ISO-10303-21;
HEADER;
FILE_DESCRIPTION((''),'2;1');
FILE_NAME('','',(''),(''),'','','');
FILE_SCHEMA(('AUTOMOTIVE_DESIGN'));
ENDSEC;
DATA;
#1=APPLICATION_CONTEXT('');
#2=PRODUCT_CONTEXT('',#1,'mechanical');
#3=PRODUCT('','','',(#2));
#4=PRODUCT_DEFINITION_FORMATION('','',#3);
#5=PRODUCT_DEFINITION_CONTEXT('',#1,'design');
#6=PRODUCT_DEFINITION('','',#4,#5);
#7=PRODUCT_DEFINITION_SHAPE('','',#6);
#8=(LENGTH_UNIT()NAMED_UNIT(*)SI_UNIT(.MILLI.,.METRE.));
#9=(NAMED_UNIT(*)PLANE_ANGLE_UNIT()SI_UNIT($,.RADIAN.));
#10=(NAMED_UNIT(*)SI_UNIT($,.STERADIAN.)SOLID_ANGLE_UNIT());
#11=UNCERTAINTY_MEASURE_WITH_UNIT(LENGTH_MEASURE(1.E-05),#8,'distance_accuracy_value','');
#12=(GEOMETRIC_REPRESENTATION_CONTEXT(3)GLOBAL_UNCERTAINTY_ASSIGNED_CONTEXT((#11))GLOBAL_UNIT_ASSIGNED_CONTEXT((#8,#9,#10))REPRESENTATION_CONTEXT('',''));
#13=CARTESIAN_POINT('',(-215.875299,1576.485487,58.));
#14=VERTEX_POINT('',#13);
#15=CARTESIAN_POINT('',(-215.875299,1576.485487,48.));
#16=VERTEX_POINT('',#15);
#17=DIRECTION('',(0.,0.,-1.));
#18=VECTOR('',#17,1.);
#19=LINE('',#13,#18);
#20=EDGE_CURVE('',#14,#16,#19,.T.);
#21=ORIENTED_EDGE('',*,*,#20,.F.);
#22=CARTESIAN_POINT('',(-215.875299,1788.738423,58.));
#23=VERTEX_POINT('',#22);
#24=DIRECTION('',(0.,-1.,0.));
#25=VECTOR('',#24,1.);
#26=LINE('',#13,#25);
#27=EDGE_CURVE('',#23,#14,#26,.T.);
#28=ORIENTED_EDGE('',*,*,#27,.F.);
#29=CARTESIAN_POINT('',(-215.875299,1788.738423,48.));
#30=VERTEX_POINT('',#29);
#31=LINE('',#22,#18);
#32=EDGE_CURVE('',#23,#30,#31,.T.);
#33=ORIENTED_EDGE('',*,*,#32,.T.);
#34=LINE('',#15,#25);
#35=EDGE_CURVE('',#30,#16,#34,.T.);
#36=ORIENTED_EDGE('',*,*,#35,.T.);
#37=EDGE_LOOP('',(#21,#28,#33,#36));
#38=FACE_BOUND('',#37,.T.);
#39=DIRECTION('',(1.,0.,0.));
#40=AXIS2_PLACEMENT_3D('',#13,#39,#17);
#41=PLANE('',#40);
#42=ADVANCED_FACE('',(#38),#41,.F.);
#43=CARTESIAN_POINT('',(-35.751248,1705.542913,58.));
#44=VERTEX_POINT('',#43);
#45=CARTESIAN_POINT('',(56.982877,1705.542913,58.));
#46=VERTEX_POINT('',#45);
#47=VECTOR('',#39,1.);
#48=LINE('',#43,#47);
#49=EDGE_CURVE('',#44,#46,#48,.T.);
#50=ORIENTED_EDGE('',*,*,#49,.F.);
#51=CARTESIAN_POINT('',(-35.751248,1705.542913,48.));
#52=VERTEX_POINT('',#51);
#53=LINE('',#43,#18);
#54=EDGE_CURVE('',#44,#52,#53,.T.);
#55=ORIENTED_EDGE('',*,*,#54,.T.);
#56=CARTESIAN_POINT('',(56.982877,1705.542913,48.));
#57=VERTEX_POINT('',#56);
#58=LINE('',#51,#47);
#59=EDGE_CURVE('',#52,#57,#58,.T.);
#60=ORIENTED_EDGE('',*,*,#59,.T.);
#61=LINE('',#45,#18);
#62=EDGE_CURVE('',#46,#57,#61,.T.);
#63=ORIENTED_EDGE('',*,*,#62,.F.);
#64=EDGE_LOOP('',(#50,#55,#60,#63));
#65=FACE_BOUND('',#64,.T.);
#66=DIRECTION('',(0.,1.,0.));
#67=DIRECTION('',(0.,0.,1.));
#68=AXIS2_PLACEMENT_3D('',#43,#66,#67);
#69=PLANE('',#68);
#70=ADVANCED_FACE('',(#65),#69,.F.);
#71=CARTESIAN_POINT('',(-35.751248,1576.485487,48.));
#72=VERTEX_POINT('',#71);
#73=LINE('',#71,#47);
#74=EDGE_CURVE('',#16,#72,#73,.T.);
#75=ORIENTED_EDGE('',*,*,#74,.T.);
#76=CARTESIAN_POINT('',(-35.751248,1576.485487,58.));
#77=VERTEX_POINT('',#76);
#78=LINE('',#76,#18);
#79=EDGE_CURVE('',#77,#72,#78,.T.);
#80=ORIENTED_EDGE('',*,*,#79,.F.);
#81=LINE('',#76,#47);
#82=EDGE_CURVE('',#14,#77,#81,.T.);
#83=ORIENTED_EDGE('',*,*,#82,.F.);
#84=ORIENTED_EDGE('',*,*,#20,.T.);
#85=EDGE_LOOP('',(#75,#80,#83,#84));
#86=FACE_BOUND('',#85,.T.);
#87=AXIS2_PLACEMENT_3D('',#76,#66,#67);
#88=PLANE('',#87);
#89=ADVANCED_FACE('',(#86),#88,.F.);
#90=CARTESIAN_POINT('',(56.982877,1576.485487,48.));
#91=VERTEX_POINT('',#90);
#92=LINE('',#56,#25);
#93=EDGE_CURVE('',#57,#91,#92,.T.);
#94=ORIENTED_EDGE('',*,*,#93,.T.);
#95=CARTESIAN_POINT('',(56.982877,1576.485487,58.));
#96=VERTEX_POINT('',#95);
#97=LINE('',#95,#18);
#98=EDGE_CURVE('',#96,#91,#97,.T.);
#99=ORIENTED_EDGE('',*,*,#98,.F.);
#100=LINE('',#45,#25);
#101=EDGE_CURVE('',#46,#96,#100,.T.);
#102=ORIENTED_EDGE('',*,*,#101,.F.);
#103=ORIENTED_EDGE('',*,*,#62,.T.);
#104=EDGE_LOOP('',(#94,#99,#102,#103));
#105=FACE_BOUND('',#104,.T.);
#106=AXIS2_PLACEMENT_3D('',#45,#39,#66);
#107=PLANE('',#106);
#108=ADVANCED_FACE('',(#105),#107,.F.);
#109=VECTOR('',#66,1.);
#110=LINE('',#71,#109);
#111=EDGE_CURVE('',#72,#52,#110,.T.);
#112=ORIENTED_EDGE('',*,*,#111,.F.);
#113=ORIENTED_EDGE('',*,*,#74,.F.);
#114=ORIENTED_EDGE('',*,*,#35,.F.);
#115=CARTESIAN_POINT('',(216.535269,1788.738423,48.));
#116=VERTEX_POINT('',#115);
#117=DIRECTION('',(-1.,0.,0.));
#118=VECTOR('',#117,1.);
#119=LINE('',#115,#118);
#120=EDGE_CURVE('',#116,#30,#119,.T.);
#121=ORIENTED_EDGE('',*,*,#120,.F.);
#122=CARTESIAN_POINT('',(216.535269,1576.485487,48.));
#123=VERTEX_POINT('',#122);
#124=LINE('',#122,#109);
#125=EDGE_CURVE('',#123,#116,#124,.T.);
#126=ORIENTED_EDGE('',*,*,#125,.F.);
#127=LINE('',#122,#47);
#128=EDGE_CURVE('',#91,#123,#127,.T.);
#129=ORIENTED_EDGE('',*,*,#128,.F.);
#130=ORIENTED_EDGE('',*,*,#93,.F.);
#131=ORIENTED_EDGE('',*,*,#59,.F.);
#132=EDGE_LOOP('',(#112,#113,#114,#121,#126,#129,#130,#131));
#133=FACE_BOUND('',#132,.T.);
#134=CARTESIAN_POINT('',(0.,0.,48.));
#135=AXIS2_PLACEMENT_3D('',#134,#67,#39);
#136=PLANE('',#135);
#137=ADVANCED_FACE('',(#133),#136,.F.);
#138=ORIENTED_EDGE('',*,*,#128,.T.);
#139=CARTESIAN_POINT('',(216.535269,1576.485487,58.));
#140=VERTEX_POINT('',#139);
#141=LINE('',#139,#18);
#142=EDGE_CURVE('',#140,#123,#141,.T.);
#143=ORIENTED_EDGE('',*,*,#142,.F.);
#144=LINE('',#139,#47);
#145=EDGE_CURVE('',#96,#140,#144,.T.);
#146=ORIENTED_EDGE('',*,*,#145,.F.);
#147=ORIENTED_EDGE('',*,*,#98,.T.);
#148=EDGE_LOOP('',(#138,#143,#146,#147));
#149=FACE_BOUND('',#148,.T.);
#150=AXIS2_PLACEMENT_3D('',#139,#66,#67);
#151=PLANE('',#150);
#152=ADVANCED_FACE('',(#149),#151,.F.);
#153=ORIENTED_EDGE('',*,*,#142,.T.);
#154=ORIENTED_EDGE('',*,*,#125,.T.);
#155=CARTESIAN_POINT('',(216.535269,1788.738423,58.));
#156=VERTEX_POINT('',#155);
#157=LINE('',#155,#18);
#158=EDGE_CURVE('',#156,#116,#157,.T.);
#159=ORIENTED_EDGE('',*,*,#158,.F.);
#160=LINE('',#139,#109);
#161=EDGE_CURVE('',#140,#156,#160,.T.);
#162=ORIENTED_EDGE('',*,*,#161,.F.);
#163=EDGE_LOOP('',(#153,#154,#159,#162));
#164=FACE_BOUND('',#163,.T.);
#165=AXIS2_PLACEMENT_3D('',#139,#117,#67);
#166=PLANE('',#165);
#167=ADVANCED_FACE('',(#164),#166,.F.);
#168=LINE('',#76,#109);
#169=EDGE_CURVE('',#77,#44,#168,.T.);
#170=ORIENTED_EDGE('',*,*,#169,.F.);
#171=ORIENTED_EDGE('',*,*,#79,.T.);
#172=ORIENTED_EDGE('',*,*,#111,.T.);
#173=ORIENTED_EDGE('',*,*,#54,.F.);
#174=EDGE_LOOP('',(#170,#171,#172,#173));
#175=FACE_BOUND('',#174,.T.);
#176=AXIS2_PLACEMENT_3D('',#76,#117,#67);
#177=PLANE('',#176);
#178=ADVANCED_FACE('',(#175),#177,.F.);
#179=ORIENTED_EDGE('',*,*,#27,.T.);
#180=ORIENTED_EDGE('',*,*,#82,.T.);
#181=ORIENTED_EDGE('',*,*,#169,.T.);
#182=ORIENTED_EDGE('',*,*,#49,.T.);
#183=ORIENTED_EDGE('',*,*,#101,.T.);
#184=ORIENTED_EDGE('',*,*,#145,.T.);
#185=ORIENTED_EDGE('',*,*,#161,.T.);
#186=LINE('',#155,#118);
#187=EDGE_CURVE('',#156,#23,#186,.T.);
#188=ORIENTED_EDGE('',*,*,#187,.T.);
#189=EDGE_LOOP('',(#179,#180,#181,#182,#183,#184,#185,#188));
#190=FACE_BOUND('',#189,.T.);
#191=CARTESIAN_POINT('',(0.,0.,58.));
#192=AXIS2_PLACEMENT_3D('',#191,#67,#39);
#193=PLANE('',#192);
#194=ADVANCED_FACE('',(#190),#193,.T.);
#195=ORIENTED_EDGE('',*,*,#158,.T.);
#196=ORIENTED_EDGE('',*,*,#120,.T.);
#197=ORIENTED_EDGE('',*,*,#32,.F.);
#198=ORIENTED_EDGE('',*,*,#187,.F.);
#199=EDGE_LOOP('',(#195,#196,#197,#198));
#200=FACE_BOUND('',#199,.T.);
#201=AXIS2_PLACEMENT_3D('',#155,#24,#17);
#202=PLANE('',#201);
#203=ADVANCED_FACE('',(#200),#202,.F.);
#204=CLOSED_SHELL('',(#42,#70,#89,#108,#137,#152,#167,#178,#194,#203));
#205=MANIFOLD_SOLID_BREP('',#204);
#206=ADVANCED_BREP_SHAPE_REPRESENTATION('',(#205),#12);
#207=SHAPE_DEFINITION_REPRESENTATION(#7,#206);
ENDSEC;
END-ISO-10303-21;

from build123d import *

# Parameters (mm, degrees)
BOSS_EXTRUDE1_START = 48
BOSS_EXTRUDE1_DEPTH = 10


with BuildPart() as part:
    # Sketch1 → Boss-Extrude1 (new body)
    with BuildSketch(Plane.XY.offset(BOSS_EXTRUDE1_START)):
        Polygon((-35.751247902, 1576.485487398), (-35.751247902, 1705.542913165), (56.982876999, 1705.542913165), (56.982876999, 1576.485487398), (216.535268781, 1576.485487398), (216.535268781, 1788.738422577), (-215.875298803, 1788.738422577), (-215.875298803, 1576.485487398), align=None)
    extrude(amount=BOSS_EXTRUDE1_DEPTH)


solid = part.part
